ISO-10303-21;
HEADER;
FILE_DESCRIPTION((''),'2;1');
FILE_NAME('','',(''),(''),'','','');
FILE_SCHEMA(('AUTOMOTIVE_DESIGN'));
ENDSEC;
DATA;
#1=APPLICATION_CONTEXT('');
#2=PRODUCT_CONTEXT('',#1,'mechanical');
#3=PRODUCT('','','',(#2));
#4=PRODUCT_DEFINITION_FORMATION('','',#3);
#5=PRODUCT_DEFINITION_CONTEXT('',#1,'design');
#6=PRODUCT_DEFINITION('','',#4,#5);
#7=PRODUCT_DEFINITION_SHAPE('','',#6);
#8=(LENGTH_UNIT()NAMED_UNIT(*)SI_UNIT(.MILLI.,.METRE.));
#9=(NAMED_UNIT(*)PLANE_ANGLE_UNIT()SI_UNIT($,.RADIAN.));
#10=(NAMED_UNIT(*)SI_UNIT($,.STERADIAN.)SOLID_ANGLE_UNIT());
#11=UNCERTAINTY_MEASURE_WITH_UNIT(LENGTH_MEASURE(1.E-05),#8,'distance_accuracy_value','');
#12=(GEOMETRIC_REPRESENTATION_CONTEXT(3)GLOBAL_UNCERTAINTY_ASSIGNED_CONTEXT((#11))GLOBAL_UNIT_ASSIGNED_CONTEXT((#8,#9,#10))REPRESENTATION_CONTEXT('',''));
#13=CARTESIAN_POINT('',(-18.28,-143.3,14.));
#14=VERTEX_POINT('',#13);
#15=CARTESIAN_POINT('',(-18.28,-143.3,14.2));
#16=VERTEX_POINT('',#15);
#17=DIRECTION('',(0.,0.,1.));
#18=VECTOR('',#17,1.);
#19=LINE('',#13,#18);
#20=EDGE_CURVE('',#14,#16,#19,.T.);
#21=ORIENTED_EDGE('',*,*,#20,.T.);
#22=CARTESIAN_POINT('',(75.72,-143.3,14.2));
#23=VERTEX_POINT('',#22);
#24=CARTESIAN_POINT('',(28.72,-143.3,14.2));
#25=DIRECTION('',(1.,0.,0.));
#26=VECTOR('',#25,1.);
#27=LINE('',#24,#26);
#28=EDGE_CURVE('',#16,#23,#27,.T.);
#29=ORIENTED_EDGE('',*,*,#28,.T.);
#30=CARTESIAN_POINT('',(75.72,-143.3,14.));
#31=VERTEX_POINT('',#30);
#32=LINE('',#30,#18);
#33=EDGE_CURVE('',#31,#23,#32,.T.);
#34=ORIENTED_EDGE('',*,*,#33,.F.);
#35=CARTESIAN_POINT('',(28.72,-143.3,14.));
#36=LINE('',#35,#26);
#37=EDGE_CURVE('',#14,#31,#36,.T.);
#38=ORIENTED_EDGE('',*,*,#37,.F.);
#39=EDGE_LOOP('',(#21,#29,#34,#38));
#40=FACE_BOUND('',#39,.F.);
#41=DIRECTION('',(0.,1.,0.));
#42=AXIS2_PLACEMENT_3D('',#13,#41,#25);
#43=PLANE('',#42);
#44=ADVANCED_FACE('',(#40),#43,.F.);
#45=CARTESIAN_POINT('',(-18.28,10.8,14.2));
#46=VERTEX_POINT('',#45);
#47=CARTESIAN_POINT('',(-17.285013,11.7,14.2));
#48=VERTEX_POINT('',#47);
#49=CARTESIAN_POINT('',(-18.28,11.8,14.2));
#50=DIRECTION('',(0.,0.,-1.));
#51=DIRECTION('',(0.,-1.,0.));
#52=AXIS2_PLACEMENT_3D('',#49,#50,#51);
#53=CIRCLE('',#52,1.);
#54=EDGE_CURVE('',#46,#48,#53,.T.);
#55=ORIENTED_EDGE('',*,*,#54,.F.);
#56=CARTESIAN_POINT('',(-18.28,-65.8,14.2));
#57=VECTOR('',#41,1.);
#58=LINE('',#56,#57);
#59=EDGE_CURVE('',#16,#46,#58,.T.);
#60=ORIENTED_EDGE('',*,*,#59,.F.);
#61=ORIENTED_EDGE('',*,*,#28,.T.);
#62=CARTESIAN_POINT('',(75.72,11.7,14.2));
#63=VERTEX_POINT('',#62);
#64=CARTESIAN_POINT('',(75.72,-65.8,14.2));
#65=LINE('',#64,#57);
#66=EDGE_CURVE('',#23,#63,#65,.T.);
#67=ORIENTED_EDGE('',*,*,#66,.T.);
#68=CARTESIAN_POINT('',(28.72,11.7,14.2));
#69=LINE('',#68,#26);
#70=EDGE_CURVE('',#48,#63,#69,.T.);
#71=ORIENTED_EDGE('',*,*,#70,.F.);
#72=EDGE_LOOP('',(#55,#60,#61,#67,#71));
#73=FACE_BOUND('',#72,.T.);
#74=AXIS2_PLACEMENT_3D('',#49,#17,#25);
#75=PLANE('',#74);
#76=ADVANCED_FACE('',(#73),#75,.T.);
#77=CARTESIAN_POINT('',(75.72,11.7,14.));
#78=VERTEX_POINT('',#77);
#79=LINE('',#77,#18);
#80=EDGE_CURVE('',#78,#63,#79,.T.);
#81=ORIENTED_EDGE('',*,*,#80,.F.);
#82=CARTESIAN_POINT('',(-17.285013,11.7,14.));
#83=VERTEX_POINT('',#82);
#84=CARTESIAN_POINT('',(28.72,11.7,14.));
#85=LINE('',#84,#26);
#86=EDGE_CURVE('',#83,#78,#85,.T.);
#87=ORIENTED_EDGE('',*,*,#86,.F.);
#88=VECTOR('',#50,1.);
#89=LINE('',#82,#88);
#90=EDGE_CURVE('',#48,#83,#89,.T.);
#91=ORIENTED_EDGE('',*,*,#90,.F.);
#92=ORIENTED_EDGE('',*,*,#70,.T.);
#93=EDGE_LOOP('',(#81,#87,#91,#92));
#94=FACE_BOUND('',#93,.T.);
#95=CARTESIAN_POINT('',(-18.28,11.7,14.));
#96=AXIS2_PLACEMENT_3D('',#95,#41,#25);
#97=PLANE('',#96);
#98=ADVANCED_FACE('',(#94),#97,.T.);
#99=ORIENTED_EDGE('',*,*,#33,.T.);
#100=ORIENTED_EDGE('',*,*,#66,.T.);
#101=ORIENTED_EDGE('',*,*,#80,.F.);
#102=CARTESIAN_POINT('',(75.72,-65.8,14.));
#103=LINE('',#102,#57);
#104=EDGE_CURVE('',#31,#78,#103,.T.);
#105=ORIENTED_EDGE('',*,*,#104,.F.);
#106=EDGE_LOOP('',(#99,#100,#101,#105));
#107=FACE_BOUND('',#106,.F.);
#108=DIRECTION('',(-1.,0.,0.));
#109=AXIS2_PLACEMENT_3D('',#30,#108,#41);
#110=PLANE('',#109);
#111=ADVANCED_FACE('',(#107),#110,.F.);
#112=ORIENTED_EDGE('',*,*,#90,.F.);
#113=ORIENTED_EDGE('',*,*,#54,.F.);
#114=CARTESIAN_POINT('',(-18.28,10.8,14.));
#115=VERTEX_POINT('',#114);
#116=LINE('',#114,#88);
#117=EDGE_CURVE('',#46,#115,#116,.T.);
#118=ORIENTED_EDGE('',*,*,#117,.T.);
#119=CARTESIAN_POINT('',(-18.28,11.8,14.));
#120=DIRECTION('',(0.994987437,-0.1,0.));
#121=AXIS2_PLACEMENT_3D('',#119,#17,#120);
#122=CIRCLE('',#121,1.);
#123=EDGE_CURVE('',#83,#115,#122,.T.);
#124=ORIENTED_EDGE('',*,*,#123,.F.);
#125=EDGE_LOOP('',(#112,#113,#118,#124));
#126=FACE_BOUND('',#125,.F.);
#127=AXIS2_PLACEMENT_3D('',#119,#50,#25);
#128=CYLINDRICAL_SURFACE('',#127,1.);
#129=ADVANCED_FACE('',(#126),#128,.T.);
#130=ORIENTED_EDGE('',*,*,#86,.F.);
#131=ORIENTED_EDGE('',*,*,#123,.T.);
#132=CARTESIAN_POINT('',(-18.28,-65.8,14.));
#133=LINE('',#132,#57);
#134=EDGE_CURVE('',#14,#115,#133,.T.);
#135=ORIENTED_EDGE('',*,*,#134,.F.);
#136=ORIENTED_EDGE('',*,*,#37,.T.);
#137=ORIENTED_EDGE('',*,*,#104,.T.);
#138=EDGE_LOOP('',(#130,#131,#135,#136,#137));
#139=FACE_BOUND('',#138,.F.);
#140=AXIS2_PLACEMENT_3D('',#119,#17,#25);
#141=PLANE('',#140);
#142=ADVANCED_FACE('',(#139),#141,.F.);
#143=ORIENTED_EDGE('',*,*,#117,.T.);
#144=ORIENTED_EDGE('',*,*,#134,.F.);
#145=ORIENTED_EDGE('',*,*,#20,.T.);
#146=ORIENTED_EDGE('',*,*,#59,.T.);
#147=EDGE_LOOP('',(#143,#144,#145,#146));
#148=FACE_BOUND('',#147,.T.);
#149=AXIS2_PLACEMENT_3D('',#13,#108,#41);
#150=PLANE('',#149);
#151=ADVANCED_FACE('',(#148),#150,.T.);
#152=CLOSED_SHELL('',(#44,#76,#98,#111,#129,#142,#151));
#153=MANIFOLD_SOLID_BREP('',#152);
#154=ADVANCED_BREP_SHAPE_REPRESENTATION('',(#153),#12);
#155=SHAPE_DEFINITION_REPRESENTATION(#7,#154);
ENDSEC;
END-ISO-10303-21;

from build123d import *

# Parameters (mm, degrees)
CYLINDER_R     = 1
CYLINDER_DEPTH = 0.2
BOX005_W       = 94
BOX005_H       = 155
BOX005_DEPTH   = 0.2


with BuildPart() as cylinder:
    # Cylinder → Cylinder (new body)
    with BuildSketch(Plane(origin=(-18.28, 11.8, 14), x_dir=(1, 0, 0), z_dir=(0, 0, 1))):
        Circle(CYLINDER_R)
    extrude(amount=CYLINDER_DEPTH)


with BuildPart() as display_frame:
    # Box005 → Box005 (new body)
    with BuildSketch(Plane(origin=(-18.28, -143.3, 14), x_dir=(1, 0, 0), z_dir=(0, 0, 1))):
        with Locations((47, 77.5)):
            Rectangle(BOX005_W, BOX005_H)
    extrude(amount=BOX005_DEPTH)

    # Fusion: union Cylinder
    add(cylinder.part)


solid = display_frame.part
